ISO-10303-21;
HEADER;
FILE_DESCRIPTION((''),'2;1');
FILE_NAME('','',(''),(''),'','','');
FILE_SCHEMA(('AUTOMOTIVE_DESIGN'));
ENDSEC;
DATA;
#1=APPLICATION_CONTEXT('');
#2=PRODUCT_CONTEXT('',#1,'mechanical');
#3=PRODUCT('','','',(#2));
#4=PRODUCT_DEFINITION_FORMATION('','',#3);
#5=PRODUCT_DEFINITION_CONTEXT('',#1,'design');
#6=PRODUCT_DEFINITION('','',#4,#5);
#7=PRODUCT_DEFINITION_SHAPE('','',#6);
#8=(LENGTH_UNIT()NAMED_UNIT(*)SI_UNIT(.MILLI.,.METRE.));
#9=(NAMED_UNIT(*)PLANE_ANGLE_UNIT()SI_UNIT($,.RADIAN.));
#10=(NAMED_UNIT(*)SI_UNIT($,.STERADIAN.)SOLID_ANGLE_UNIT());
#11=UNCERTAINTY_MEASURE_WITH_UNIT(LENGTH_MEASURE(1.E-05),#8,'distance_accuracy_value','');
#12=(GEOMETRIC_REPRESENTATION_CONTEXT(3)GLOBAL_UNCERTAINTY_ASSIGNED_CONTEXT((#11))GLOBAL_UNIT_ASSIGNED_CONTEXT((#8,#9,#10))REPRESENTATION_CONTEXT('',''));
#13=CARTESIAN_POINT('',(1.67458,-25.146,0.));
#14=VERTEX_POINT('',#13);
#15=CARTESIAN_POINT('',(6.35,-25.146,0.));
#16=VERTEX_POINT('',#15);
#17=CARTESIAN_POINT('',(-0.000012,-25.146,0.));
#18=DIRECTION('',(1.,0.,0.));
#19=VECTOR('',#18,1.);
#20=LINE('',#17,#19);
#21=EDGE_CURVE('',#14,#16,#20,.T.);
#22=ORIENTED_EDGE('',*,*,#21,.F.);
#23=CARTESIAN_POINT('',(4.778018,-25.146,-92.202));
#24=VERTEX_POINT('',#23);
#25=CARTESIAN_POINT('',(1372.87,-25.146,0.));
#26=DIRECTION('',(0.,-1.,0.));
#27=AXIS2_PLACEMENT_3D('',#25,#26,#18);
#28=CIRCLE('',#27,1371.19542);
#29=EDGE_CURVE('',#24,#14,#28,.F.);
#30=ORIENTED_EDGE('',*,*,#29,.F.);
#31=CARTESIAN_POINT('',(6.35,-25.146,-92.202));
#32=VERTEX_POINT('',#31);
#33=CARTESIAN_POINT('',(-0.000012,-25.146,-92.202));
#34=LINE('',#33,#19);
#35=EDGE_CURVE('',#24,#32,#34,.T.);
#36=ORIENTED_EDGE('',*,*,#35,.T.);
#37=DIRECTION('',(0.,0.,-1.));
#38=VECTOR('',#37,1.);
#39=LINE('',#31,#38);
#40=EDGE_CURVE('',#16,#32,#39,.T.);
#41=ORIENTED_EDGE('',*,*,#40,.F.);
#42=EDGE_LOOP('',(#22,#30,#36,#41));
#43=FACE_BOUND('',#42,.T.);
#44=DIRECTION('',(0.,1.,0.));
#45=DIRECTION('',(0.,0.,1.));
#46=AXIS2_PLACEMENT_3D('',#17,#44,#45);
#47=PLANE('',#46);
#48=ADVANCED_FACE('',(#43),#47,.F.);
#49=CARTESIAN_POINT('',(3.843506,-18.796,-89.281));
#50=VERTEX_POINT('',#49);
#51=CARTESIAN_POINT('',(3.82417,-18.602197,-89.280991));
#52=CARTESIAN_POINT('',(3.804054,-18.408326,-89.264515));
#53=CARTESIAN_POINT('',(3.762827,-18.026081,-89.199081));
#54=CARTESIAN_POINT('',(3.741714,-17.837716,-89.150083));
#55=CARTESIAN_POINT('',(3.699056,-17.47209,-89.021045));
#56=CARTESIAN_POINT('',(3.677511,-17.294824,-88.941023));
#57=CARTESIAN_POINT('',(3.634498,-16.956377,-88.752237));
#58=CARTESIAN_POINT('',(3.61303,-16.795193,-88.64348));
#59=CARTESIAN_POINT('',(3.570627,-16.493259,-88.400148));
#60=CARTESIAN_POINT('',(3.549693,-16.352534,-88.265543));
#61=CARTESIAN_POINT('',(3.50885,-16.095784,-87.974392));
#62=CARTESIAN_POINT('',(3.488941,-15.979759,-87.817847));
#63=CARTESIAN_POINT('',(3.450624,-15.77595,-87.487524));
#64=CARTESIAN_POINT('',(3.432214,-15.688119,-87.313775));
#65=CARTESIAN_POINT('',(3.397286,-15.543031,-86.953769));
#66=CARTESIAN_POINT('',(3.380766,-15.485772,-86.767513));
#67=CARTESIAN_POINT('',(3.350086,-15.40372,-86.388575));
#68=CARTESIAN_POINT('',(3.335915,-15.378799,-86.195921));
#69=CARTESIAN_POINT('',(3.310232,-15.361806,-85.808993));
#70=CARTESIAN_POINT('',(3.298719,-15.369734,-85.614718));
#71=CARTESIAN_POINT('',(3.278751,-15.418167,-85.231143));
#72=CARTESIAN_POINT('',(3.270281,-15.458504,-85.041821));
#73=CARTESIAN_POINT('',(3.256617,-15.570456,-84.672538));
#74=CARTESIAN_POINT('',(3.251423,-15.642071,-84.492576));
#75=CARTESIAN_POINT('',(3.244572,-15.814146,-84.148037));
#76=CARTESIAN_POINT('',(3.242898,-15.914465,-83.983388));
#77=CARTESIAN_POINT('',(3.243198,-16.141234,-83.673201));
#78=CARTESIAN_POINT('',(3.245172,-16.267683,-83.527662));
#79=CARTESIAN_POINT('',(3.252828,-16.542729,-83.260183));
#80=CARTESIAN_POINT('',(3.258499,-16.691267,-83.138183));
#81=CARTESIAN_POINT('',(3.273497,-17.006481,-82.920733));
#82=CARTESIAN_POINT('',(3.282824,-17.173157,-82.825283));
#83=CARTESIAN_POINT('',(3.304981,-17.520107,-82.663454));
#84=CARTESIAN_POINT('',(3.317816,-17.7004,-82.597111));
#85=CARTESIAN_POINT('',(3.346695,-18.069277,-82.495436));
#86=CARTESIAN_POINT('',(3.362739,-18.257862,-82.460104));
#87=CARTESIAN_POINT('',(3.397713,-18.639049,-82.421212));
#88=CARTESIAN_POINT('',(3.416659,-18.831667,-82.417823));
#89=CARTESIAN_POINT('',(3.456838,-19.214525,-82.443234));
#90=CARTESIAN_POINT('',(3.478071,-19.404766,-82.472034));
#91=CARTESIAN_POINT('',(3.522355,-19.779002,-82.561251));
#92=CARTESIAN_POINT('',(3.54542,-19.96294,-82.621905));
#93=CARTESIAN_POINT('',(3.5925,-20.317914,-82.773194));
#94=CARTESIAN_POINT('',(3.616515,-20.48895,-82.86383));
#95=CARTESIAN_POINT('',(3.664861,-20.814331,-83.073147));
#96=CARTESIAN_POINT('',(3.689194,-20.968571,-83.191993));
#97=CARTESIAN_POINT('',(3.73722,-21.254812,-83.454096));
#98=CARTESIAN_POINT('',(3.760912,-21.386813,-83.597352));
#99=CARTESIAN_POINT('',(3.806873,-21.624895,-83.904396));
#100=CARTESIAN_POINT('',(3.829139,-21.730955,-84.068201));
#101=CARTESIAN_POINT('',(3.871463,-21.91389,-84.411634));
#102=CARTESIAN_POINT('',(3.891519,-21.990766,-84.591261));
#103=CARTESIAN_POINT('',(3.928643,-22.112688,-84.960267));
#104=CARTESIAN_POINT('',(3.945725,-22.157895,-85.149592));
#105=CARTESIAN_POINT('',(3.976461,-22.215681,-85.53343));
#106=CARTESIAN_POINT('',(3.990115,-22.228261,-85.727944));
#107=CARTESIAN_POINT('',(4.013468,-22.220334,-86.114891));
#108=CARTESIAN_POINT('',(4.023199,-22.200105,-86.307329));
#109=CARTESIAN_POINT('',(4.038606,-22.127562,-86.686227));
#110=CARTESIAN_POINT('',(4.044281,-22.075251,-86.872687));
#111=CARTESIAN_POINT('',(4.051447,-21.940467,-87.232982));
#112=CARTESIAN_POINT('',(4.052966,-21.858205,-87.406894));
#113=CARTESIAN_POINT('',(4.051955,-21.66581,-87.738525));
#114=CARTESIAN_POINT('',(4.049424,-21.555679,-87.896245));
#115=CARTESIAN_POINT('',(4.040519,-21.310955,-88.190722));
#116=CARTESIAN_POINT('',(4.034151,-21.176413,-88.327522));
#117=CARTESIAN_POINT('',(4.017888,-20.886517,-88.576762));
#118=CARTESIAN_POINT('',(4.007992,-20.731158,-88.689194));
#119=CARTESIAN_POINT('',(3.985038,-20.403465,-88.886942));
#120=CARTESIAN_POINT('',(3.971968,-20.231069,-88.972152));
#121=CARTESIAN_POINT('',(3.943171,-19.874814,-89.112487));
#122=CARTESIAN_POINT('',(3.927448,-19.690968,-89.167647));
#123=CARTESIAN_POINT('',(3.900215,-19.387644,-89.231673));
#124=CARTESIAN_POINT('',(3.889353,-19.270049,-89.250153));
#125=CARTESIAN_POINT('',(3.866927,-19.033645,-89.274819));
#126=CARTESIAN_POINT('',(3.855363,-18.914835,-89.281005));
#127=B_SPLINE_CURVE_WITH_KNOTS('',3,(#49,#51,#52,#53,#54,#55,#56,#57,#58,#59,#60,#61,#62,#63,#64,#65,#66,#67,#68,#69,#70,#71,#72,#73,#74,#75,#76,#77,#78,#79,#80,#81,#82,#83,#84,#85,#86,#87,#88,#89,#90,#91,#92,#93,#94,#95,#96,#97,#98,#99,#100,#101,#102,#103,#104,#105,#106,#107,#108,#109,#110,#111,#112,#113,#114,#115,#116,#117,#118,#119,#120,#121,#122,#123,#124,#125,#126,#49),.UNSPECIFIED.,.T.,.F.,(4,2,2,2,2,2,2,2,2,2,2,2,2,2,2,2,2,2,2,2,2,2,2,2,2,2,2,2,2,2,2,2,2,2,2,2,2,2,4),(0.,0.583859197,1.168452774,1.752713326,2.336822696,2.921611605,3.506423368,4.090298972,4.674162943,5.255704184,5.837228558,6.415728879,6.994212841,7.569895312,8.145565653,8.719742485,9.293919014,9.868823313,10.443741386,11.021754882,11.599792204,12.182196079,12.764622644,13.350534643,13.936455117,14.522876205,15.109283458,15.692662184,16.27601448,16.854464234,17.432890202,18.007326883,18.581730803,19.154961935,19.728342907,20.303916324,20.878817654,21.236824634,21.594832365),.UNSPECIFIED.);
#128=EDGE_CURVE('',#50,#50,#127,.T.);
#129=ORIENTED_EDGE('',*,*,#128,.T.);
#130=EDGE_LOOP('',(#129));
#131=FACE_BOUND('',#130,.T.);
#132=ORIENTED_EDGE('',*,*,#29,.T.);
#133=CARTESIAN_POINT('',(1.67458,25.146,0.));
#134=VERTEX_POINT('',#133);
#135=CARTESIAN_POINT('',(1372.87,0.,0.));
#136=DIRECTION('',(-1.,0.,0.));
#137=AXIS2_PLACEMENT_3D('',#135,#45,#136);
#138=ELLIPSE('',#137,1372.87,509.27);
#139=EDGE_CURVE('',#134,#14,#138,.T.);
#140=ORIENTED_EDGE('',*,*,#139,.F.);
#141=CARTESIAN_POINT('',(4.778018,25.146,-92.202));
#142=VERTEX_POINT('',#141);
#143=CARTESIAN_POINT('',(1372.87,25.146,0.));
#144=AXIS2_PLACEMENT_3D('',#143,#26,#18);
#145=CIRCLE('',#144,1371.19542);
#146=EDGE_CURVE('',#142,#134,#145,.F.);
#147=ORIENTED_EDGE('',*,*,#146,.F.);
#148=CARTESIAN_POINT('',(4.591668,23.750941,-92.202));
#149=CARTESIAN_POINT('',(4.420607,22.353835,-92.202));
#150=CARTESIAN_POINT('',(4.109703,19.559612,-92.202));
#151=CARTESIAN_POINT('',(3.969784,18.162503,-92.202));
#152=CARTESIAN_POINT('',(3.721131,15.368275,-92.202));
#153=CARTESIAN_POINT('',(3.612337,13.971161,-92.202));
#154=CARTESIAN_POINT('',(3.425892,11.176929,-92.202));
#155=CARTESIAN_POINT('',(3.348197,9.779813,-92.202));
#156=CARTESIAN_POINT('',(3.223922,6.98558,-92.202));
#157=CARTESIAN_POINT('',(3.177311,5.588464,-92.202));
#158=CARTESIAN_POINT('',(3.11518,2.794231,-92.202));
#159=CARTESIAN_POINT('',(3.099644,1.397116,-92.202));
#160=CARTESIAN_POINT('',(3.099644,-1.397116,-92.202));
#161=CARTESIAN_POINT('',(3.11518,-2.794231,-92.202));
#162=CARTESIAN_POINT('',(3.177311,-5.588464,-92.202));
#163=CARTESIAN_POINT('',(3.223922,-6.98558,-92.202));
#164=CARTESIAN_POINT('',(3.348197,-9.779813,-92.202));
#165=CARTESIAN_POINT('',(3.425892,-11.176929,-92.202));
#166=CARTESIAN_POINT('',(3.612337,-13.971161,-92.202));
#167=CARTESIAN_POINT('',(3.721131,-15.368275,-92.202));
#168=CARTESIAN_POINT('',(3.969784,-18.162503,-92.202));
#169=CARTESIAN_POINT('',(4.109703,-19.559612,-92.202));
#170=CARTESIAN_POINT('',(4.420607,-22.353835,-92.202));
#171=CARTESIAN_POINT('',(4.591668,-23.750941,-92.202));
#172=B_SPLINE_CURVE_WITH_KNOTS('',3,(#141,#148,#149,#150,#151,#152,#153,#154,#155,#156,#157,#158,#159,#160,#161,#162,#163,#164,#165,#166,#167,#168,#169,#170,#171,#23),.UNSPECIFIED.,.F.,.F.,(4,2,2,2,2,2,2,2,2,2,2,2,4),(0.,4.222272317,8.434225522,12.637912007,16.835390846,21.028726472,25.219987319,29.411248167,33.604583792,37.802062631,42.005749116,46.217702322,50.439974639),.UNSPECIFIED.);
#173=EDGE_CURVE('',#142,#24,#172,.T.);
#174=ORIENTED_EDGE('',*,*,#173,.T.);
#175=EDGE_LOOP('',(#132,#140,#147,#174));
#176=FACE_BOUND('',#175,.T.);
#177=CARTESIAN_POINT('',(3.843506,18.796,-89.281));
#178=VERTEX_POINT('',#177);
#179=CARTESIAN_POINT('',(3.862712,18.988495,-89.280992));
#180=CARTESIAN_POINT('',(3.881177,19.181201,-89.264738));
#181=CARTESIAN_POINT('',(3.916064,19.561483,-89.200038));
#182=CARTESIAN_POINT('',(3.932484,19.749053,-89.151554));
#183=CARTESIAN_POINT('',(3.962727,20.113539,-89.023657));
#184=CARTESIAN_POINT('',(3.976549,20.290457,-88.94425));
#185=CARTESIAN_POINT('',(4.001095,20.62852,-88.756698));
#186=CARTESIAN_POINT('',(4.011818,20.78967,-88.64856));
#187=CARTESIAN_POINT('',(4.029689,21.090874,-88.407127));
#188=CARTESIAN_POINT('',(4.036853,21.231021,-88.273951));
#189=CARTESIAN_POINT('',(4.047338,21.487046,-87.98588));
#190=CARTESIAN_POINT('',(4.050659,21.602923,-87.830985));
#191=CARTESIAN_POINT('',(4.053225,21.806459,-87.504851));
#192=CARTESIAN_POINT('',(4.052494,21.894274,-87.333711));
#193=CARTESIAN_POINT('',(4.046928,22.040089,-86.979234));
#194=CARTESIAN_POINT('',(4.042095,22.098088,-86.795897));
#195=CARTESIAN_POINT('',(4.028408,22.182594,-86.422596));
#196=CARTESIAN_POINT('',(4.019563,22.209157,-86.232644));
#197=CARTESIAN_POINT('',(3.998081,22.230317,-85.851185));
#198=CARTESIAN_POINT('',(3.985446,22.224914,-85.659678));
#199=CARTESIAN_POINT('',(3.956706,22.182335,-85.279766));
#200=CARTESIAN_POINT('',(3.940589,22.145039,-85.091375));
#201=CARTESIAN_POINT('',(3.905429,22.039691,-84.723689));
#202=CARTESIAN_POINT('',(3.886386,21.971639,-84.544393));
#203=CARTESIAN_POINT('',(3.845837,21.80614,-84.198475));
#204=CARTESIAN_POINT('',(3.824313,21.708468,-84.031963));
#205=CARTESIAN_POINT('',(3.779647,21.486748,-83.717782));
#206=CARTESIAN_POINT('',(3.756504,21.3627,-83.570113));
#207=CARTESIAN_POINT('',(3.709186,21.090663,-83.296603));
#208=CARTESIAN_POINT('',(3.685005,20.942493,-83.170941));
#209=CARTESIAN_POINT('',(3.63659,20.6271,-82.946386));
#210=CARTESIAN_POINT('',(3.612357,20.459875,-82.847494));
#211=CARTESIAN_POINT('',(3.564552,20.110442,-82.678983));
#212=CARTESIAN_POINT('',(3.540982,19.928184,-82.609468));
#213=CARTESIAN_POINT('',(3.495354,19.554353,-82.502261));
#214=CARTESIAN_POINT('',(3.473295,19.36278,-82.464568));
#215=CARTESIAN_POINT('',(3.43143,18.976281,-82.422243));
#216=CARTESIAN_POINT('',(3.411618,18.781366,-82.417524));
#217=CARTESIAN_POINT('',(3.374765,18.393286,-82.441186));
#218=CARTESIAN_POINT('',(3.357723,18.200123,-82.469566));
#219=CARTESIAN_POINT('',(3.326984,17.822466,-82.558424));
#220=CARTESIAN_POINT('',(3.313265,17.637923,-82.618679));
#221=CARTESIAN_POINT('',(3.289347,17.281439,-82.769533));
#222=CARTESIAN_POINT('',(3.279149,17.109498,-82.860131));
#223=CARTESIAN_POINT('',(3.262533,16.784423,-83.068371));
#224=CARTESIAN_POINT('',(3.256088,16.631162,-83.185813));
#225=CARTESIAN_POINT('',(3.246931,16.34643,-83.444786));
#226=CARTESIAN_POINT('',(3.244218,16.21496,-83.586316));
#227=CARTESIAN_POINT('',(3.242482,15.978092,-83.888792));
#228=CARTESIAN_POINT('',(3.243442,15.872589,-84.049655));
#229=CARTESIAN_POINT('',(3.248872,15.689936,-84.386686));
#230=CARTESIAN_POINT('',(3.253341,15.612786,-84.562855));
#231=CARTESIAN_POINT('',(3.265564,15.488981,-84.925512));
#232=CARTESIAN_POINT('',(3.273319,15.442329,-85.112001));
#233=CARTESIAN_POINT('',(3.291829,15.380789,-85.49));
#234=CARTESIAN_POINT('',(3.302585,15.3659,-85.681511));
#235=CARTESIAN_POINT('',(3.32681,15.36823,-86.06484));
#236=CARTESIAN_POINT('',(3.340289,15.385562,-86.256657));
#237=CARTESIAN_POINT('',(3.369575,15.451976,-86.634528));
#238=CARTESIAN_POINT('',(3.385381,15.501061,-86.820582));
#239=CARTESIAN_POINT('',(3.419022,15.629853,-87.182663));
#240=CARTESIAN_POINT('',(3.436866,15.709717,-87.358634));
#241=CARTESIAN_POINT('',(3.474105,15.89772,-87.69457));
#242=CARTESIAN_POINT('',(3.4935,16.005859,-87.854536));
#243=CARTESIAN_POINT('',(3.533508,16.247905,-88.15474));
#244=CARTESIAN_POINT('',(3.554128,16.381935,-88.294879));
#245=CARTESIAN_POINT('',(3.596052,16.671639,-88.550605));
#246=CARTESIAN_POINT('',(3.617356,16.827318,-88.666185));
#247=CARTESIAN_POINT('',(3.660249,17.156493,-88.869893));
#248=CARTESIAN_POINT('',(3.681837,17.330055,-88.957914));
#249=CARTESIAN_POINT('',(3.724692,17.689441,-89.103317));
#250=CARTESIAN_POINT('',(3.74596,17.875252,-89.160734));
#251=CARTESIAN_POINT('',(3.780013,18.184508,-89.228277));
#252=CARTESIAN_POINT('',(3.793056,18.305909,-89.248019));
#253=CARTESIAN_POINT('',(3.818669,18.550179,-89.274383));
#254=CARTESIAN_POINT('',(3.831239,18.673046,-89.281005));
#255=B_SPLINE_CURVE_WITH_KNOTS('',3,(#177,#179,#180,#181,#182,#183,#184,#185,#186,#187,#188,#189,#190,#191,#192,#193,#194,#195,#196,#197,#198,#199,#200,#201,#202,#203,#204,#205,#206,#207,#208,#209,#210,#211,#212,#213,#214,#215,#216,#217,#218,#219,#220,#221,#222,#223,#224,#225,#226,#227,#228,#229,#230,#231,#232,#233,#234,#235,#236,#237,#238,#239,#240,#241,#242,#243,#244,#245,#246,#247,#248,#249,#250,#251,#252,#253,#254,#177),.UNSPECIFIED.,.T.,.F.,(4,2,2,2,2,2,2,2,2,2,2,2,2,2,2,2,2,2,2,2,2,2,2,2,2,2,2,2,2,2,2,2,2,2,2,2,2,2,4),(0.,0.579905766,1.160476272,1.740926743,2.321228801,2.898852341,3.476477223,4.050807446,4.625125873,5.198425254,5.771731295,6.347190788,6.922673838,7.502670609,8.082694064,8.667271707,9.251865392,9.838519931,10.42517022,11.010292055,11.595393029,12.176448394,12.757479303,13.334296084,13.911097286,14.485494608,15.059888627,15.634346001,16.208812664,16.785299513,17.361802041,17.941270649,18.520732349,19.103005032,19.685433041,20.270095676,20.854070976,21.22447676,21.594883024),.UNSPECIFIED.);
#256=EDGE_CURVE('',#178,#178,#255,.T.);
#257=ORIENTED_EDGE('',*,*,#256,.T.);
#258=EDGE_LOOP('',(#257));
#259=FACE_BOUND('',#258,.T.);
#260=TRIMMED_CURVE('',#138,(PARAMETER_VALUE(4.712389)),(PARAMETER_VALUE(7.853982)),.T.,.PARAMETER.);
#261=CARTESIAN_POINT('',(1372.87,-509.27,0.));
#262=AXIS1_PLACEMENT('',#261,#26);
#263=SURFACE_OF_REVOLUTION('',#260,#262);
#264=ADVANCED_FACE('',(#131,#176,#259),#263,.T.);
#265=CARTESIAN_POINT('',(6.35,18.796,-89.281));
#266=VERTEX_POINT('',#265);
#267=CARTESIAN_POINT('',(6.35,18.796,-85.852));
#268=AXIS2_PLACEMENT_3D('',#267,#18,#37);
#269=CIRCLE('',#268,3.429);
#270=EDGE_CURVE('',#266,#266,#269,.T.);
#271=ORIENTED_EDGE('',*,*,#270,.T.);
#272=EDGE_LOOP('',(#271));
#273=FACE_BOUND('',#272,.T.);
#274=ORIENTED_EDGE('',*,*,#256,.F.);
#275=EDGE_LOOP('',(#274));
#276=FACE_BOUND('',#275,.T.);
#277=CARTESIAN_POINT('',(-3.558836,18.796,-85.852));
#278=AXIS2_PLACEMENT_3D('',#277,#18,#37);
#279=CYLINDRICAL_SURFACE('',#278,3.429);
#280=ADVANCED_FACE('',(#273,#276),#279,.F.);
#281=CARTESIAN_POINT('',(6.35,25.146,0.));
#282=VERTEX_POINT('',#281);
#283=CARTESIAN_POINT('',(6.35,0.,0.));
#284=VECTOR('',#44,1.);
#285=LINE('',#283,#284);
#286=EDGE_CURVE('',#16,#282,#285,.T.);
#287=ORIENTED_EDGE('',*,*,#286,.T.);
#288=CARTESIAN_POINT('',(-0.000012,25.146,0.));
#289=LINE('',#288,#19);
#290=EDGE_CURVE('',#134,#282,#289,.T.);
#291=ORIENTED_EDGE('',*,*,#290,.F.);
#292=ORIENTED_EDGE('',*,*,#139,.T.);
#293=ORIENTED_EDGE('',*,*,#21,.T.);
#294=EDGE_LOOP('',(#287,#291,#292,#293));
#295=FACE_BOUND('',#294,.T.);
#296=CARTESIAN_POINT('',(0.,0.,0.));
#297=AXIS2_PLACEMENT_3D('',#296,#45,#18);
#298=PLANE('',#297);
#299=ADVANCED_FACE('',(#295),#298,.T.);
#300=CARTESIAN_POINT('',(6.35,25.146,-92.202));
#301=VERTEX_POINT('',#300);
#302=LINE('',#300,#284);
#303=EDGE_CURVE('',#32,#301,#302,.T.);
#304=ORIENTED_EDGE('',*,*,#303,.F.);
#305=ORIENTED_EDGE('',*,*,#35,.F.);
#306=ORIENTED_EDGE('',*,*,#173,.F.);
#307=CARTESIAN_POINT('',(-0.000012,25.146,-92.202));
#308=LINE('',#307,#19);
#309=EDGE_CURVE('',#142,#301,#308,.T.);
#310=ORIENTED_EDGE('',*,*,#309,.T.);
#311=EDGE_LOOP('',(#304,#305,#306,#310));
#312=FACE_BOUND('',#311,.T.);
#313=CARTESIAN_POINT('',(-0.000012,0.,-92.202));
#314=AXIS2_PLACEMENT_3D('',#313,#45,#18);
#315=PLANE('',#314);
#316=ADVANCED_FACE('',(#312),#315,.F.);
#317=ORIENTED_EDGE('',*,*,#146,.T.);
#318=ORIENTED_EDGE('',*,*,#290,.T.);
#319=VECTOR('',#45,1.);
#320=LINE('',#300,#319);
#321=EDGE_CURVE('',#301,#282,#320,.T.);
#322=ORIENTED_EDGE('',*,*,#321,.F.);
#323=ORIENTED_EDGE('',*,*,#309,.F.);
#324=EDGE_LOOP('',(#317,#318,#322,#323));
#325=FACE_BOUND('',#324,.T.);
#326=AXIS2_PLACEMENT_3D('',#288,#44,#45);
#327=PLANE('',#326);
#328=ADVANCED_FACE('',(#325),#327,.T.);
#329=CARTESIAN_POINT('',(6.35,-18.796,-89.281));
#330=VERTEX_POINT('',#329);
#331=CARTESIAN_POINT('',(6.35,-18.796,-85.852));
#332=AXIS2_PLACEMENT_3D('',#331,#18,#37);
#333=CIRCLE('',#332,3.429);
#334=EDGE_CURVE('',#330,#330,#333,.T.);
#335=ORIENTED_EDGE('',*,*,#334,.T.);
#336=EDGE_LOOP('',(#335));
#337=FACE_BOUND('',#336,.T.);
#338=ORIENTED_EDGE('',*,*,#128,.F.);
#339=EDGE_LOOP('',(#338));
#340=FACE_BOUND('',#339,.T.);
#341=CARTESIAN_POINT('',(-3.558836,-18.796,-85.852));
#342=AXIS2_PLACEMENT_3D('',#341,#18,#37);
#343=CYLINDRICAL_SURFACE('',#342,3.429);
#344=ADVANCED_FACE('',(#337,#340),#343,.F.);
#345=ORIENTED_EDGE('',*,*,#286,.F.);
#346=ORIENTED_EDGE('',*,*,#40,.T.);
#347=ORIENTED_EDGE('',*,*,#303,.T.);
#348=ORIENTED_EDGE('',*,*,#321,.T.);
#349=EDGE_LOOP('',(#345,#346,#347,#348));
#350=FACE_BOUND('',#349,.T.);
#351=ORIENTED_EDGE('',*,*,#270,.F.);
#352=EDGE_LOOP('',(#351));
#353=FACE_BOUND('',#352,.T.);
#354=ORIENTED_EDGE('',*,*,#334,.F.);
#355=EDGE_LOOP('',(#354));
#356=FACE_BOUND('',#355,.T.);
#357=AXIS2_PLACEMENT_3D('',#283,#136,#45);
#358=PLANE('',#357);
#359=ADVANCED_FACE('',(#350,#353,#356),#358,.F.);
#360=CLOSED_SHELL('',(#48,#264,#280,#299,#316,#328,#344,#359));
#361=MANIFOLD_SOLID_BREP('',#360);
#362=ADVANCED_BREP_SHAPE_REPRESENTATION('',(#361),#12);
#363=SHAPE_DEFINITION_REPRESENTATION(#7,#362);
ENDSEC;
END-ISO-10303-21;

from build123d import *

# Parameters (mm, degrees)
CUT_EXTRUDE2_DEPTH      = 3112.786644088
CUT_EXTRUDE2_DEPTH_BACK = 3112.786644088
SKETCH2_OUTSIDE_W       = 3550.624
SKETCH2_OUTSIDE_H       = 1823.424
SKETCH2_OUTSIDE_W_2     = 184.404
SKETCH2_OUTSIDE_H_2     = 50.292
CUT_EXTRUDE3_START      = 6.35
SKETCH3_W               = 184.404
SKETCH3_H               = 50.292
CUT_EXTRUDE3_DEPTH      = 2742.052714982
SKETCH4_R               = 3.429
CUT_EXTRUDE4_DEPTH      = 96.78023097
SKETCH5_W               = 69.135430889
SKETCH5_H               = 107.37234518
CUT_EXTRUDE5_DEPTH      = 96.78023097


with BuildPart() as part:
    # Sketch1 → Revolve1 (revolve)
    with BuildSketch(Plane.XY):
        with BuildLine():
            Line((1372.87, -509.27), (1372.87, 509.27))
            add(Edge.make_bspline(
                [(1372.87, 509.27), (0, 509.27), (0, 0), (0, -509.27), (1372.87, -509.27)],
                knots=[4.71238898, 4.71238898, 4.71238898, 6.283185307, 6.283185307, 7.853981634, 7.853981634, 7.853981634], degree=2, weights=[1, 0.707106781, 1, 0.707106781, 1]))
        make_face()
    revolve(axis=Axis((1372.87, -509.27, 0), (0, 1, 0)))

    # Sketch2 outside → Cut-Extrude2 (cut, two sides: drawn at the far end of the back side and taken through both)
    with BuildSketch(Plane(origin=(0, 0, 0), x_dir=(0, 0, -1), z_dir=(1, 0, 0)).offset(-CUT_EXTRUDE2_DEPTH_BACK)):
        Rectangle(SKETCH2_OUTSIDE_W, SKETCH2_OUTSIDE_H)
        Rectangle(SKETCH2_OUTSIDE_W_2, SKETCH2_OUTSIDE_H_2, mode=Mode.SUBTRACT)
    extrude(amount=CUT_EXTRUDE2_DEPTH + CUT_EXTRUDE2_DEPTH_BACK, mode=Mode.SUBTRACT)

    # Sketch3 → Cut-Extrude3 (cut, through all)
    with BuildSketch(Plane(origin=(0, 0, 0), x_dir=(0, 0, -1), z_dir=(1, 0, 0)).offset(CUT_EXTRUDE3_START)):
        Rectangle(SKETCH3_W, SKETCH3_H)
    extrude(amount=CUT_EXTRUDE3_DEPTH, mode=Mode.SUBTRACT)

    # Sketch4 → Cut-Extrude4 (cut, through all)
    with BuildSketch(Plane(origin=(6.35, 0, 0), x_dir=(0, 0, -1), z_dir=(1, 0, 0))):
        with Locations((-85.852, 18.796)):
            Circle(SKETCH4_R)
        with Locations((-85.852, -18.796)):
            Circle(SKETCH4_R)
        with Locations((85.852, -18.796)):
            Circle(SKETCH4_R)
        with Locations((85.852, 18.796)):
            Circle(SKETCH4_R)
    extrude(amount=-CUT_EXTRUDE4_DEPTH, mode=Mode.SUBTRACT)

    # Sketch5 → Cut-Extrude5 (cut, through all)
    with BuildSketch(Plane.XY):
        with Locations((-10.995451772, -25.072858782)):
            Rectangle(SKETCH5_W, SKETCH5_H)
    extrude(amount=CUT_EXTRUDE5_DEPTH, mode=Mode.SUBTRACT)


solid = part.part
